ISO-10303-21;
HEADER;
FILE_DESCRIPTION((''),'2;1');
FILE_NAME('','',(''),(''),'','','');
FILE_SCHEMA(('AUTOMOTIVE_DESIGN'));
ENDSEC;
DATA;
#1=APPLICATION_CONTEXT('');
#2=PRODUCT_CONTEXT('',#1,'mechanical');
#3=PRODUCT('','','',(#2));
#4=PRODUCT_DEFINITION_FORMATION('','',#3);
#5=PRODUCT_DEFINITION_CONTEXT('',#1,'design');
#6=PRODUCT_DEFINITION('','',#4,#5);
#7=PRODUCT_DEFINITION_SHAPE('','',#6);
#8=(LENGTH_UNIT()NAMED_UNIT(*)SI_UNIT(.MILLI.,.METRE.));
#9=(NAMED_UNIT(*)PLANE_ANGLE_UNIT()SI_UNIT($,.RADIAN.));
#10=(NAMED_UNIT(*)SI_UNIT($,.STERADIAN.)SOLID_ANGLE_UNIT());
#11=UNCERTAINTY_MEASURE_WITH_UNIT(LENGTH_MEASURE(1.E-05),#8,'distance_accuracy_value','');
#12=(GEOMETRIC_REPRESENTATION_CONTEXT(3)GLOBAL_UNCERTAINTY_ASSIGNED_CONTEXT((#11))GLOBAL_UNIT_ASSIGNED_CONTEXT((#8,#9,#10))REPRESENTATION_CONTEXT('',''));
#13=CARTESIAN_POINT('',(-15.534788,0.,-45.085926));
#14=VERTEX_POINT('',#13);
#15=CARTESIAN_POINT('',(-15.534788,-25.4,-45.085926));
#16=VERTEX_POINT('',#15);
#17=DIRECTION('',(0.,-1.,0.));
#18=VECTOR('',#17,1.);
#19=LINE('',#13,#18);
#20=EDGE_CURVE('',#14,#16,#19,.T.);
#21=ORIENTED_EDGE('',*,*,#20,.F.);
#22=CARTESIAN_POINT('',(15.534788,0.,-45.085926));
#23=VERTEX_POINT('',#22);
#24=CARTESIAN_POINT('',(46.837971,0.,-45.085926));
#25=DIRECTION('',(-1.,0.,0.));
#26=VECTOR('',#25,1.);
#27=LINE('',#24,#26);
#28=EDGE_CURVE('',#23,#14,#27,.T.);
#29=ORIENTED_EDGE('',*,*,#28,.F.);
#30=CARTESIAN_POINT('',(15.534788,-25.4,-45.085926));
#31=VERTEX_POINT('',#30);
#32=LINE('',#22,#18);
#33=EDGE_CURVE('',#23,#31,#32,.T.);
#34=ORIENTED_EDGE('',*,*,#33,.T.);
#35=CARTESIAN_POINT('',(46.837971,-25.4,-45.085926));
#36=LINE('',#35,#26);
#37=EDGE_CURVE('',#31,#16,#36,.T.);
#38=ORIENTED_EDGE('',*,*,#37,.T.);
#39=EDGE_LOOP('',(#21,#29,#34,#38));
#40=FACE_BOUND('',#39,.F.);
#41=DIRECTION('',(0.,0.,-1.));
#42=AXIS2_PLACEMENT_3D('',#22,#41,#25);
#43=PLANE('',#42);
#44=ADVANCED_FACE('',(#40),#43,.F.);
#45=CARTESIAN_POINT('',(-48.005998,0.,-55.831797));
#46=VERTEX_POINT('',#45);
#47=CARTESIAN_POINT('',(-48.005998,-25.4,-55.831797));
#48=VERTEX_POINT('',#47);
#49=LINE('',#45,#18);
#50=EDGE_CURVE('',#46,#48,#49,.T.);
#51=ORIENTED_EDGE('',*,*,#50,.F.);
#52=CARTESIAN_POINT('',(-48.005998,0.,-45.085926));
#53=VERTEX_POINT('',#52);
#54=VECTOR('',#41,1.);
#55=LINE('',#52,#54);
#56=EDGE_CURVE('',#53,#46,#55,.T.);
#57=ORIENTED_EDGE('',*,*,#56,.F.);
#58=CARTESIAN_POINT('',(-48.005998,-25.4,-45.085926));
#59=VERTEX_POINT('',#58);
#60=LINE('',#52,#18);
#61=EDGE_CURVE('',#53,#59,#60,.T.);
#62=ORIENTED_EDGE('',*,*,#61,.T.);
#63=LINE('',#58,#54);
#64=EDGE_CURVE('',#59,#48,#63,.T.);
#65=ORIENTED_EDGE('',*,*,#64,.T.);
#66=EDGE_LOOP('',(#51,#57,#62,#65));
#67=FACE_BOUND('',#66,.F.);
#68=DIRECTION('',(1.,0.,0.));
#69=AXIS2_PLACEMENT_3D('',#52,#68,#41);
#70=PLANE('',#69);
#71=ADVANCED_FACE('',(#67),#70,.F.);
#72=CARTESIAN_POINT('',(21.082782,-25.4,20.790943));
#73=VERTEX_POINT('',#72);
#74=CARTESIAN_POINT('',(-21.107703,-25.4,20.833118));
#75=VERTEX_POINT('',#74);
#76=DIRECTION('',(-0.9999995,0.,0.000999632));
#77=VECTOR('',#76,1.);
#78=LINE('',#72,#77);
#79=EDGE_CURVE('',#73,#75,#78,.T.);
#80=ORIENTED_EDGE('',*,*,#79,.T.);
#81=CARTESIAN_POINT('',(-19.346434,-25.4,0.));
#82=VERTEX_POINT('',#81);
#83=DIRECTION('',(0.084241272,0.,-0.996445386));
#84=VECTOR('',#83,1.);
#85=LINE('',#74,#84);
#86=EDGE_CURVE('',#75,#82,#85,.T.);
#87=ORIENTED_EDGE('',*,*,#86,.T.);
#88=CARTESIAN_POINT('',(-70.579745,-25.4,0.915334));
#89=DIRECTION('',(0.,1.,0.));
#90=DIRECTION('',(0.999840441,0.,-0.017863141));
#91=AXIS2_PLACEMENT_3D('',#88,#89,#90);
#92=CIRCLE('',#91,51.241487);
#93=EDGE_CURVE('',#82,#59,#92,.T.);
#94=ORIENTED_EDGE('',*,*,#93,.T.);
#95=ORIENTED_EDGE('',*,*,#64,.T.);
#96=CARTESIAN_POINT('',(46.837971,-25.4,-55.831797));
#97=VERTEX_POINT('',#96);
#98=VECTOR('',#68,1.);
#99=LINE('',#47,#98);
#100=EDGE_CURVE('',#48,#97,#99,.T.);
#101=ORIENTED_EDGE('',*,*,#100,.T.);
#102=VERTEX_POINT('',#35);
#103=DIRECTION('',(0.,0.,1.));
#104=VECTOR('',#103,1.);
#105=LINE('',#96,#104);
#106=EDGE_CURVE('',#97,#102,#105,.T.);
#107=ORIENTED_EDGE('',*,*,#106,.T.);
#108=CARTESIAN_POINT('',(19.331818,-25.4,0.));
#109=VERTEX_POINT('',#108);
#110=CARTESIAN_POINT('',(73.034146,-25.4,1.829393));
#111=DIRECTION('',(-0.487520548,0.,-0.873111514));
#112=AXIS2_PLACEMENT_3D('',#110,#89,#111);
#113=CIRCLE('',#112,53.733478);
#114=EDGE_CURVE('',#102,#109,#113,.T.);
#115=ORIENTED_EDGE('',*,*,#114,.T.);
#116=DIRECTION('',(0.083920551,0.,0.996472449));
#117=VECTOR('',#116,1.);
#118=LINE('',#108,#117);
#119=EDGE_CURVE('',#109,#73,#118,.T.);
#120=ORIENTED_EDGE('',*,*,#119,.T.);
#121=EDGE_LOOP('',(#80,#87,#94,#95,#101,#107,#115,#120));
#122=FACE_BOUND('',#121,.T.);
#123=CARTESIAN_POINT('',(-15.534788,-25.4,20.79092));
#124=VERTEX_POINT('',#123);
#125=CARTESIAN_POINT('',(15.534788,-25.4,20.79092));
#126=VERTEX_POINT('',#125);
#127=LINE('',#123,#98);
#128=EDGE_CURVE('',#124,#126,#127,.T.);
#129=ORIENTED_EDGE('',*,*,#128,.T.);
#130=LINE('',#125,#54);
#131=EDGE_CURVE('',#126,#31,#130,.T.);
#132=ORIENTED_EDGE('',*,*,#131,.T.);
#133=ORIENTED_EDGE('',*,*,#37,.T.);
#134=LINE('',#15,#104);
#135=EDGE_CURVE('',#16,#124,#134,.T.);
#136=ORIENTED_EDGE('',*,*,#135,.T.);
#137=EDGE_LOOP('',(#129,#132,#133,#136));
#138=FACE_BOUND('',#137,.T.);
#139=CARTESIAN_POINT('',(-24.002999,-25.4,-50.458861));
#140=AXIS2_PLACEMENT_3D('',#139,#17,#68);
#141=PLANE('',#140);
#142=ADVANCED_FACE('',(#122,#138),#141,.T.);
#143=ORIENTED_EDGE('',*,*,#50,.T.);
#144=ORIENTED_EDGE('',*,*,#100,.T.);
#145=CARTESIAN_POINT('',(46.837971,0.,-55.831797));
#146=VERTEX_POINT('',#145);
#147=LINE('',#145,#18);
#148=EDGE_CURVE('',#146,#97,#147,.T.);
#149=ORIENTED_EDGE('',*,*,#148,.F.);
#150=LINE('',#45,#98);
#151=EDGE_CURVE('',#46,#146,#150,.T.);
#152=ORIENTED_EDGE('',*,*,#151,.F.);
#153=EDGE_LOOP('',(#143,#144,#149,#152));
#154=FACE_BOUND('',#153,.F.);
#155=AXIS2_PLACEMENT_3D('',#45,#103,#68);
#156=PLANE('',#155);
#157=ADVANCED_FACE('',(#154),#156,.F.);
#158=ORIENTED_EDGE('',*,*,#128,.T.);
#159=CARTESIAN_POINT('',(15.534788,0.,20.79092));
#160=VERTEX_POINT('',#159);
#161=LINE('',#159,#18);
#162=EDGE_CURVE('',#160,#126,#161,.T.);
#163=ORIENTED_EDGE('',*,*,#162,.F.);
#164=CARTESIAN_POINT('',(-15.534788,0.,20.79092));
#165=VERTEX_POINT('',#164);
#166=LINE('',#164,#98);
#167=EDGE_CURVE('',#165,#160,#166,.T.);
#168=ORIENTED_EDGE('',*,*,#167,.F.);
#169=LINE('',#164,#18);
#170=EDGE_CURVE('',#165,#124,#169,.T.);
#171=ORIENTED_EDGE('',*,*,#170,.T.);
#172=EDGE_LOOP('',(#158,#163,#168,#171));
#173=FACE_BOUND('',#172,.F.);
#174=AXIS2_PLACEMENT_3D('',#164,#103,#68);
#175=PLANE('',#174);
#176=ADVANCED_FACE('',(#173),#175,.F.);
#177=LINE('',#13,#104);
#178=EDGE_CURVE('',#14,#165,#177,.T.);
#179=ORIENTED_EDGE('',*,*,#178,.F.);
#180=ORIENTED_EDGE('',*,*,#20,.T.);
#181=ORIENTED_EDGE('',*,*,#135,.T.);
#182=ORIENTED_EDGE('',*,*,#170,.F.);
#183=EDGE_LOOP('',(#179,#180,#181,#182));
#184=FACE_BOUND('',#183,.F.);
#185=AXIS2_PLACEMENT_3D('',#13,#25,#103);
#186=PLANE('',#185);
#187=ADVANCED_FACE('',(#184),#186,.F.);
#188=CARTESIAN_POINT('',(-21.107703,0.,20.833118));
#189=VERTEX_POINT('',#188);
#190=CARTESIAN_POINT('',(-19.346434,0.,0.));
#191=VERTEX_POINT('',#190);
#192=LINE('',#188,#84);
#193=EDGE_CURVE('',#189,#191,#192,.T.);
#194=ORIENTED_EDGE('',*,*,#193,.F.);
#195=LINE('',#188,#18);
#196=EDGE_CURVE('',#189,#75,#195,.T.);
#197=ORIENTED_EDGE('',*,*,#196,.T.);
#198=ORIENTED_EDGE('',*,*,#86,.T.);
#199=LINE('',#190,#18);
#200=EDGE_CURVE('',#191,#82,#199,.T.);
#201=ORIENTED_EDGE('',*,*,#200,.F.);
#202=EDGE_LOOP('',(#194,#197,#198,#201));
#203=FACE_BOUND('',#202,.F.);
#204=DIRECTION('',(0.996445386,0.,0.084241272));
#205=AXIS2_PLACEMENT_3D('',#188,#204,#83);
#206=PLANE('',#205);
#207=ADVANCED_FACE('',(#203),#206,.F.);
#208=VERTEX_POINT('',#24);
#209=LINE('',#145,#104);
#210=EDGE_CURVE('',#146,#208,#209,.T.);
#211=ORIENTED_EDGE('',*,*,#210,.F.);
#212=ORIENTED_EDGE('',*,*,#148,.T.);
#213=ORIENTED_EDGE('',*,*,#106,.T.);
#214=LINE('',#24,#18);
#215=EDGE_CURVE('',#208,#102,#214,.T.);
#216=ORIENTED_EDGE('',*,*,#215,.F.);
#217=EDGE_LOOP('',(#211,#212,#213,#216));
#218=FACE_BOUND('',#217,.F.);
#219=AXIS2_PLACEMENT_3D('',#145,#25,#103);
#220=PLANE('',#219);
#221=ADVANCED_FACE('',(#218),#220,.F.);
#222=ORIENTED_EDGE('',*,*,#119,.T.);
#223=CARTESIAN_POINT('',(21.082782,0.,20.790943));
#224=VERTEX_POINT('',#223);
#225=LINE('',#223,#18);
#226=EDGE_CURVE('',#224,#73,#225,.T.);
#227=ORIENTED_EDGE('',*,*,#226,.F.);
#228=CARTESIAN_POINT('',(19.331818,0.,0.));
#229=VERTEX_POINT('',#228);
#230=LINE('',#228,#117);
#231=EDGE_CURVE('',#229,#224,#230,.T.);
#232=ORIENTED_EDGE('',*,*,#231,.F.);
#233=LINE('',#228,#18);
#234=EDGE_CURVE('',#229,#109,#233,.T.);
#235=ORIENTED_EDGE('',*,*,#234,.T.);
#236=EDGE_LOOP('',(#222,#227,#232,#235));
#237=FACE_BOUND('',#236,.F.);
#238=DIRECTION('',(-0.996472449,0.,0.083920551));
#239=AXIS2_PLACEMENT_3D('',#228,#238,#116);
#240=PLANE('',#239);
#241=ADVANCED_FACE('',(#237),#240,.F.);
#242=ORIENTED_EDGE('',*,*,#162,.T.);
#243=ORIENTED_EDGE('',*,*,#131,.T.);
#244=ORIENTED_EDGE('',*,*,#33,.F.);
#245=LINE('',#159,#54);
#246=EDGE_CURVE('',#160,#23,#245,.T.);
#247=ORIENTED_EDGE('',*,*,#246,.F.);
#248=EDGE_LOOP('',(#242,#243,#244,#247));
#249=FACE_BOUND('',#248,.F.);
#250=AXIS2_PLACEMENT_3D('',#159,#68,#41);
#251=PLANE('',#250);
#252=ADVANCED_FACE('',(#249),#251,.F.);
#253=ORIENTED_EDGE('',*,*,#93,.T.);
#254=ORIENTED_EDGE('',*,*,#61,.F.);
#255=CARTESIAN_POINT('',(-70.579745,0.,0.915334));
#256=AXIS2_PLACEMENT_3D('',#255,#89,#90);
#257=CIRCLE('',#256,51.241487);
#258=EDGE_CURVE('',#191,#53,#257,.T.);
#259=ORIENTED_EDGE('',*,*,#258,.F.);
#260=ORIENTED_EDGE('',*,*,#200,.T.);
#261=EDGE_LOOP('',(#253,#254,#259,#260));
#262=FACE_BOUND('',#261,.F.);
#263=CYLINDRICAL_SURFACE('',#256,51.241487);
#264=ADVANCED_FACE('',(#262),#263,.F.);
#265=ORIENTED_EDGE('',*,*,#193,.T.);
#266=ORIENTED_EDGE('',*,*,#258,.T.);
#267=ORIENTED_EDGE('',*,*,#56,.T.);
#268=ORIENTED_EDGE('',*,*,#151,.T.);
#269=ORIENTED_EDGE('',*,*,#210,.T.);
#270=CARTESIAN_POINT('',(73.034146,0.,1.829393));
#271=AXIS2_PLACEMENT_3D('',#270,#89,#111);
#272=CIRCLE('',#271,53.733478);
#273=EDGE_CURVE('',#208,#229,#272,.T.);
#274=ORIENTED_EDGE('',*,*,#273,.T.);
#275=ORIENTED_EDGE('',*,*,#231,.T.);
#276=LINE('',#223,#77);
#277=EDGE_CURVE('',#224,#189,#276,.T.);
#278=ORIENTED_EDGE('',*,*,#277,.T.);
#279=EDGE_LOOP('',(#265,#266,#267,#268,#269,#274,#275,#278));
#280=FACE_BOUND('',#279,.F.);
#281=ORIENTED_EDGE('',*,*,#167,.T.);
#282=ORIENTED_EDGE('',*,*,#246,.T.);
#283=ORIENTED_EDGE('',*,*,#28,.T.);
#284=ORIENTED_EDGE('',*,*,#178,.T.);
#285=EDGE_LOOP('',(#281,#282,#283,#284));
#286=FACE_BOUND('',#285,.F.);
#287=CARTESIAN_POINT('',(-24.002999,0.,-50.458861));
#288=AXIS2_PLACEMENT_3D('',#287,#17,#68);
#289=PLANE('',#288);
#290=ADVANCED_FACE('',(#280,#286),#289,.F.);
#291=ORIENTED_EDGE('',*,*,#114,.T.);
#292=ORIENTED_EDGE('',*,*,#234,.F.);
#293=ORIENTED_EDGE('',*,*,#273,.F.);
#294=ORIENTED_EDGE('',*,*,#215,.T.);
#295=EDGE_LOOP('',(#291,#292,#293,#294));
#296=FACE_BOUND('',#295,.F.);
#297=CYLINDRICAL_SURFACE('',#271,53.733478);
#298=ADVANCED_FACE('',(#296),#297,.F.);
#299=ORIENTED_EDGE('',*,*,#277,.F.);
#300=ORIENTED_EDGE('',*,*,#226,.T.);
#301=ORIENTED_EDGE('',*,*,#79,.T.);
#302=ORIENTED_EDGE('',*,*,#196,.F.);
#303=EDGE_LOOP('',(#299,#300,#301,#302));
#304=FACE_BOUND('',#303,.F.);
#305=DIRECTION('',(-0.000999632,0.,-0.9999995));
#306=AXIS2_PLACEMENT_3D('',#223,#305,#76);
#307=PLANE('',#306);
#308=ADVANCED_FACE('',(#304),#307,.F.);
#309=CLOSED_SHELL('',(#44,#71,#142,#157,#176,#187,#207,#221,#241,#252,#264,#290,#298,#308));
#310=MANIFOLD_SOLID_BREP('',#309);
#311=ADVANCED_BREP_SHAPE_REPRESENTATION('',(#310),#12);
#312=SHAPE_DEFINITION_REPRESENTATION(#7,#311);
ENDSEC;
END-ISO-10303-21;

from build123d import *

# Parameters (mm, degrees)
F1_DEPTH = 25.4


with BuildPart() as f1:
    # F0 (on Front) → F1 (new body)
    with BuildSketch(Plane.XZ):
        Polygon((0, -55.831797), (0, -45.085926), (-15.534788, -45.085926), (-48.005998, -45.085926), (-48.005998, -55.831797), align=None)
        Polygon((15.534788, -45.085926), (0, -45.085926), (0, -55.831797), (46.837971, -55.831797), (46.837971, -45.085926), align=None)
        Polygon((-19.346434, 0), (-15.534788, -45.085926), (-15.534788, 20.79092), (0, 20.79092), (15.534788, 20.79092), (15.534788, -45.085926), (19.331818, 0), (21.082782, 20.790943), (-21.107703, 20.833118), align=None)
        with BuildLine():
            Line((-48.005998, -45.085926), (-15.534788, -45.085926))
            Line((-15.534788, -45.085926), (-19.346434, 0))
            ThreePointArc((-19.346434, 0), (-27.335605, -26.57347), (-48.005998, -45.085926))
        make_face()
        with BuildLine():
            Line((19.331818, 0), (15.534788, -45.085926))
            Line((15.534788, -45.085926), (46.837971, -45.085926))
            ThreePointArc((46.837971, -45.085926), (27.163372, -26.155582), (19.331818, 0))
        make_face()
    extrude(amount=F1_DEPTH)


solid = f1.part
